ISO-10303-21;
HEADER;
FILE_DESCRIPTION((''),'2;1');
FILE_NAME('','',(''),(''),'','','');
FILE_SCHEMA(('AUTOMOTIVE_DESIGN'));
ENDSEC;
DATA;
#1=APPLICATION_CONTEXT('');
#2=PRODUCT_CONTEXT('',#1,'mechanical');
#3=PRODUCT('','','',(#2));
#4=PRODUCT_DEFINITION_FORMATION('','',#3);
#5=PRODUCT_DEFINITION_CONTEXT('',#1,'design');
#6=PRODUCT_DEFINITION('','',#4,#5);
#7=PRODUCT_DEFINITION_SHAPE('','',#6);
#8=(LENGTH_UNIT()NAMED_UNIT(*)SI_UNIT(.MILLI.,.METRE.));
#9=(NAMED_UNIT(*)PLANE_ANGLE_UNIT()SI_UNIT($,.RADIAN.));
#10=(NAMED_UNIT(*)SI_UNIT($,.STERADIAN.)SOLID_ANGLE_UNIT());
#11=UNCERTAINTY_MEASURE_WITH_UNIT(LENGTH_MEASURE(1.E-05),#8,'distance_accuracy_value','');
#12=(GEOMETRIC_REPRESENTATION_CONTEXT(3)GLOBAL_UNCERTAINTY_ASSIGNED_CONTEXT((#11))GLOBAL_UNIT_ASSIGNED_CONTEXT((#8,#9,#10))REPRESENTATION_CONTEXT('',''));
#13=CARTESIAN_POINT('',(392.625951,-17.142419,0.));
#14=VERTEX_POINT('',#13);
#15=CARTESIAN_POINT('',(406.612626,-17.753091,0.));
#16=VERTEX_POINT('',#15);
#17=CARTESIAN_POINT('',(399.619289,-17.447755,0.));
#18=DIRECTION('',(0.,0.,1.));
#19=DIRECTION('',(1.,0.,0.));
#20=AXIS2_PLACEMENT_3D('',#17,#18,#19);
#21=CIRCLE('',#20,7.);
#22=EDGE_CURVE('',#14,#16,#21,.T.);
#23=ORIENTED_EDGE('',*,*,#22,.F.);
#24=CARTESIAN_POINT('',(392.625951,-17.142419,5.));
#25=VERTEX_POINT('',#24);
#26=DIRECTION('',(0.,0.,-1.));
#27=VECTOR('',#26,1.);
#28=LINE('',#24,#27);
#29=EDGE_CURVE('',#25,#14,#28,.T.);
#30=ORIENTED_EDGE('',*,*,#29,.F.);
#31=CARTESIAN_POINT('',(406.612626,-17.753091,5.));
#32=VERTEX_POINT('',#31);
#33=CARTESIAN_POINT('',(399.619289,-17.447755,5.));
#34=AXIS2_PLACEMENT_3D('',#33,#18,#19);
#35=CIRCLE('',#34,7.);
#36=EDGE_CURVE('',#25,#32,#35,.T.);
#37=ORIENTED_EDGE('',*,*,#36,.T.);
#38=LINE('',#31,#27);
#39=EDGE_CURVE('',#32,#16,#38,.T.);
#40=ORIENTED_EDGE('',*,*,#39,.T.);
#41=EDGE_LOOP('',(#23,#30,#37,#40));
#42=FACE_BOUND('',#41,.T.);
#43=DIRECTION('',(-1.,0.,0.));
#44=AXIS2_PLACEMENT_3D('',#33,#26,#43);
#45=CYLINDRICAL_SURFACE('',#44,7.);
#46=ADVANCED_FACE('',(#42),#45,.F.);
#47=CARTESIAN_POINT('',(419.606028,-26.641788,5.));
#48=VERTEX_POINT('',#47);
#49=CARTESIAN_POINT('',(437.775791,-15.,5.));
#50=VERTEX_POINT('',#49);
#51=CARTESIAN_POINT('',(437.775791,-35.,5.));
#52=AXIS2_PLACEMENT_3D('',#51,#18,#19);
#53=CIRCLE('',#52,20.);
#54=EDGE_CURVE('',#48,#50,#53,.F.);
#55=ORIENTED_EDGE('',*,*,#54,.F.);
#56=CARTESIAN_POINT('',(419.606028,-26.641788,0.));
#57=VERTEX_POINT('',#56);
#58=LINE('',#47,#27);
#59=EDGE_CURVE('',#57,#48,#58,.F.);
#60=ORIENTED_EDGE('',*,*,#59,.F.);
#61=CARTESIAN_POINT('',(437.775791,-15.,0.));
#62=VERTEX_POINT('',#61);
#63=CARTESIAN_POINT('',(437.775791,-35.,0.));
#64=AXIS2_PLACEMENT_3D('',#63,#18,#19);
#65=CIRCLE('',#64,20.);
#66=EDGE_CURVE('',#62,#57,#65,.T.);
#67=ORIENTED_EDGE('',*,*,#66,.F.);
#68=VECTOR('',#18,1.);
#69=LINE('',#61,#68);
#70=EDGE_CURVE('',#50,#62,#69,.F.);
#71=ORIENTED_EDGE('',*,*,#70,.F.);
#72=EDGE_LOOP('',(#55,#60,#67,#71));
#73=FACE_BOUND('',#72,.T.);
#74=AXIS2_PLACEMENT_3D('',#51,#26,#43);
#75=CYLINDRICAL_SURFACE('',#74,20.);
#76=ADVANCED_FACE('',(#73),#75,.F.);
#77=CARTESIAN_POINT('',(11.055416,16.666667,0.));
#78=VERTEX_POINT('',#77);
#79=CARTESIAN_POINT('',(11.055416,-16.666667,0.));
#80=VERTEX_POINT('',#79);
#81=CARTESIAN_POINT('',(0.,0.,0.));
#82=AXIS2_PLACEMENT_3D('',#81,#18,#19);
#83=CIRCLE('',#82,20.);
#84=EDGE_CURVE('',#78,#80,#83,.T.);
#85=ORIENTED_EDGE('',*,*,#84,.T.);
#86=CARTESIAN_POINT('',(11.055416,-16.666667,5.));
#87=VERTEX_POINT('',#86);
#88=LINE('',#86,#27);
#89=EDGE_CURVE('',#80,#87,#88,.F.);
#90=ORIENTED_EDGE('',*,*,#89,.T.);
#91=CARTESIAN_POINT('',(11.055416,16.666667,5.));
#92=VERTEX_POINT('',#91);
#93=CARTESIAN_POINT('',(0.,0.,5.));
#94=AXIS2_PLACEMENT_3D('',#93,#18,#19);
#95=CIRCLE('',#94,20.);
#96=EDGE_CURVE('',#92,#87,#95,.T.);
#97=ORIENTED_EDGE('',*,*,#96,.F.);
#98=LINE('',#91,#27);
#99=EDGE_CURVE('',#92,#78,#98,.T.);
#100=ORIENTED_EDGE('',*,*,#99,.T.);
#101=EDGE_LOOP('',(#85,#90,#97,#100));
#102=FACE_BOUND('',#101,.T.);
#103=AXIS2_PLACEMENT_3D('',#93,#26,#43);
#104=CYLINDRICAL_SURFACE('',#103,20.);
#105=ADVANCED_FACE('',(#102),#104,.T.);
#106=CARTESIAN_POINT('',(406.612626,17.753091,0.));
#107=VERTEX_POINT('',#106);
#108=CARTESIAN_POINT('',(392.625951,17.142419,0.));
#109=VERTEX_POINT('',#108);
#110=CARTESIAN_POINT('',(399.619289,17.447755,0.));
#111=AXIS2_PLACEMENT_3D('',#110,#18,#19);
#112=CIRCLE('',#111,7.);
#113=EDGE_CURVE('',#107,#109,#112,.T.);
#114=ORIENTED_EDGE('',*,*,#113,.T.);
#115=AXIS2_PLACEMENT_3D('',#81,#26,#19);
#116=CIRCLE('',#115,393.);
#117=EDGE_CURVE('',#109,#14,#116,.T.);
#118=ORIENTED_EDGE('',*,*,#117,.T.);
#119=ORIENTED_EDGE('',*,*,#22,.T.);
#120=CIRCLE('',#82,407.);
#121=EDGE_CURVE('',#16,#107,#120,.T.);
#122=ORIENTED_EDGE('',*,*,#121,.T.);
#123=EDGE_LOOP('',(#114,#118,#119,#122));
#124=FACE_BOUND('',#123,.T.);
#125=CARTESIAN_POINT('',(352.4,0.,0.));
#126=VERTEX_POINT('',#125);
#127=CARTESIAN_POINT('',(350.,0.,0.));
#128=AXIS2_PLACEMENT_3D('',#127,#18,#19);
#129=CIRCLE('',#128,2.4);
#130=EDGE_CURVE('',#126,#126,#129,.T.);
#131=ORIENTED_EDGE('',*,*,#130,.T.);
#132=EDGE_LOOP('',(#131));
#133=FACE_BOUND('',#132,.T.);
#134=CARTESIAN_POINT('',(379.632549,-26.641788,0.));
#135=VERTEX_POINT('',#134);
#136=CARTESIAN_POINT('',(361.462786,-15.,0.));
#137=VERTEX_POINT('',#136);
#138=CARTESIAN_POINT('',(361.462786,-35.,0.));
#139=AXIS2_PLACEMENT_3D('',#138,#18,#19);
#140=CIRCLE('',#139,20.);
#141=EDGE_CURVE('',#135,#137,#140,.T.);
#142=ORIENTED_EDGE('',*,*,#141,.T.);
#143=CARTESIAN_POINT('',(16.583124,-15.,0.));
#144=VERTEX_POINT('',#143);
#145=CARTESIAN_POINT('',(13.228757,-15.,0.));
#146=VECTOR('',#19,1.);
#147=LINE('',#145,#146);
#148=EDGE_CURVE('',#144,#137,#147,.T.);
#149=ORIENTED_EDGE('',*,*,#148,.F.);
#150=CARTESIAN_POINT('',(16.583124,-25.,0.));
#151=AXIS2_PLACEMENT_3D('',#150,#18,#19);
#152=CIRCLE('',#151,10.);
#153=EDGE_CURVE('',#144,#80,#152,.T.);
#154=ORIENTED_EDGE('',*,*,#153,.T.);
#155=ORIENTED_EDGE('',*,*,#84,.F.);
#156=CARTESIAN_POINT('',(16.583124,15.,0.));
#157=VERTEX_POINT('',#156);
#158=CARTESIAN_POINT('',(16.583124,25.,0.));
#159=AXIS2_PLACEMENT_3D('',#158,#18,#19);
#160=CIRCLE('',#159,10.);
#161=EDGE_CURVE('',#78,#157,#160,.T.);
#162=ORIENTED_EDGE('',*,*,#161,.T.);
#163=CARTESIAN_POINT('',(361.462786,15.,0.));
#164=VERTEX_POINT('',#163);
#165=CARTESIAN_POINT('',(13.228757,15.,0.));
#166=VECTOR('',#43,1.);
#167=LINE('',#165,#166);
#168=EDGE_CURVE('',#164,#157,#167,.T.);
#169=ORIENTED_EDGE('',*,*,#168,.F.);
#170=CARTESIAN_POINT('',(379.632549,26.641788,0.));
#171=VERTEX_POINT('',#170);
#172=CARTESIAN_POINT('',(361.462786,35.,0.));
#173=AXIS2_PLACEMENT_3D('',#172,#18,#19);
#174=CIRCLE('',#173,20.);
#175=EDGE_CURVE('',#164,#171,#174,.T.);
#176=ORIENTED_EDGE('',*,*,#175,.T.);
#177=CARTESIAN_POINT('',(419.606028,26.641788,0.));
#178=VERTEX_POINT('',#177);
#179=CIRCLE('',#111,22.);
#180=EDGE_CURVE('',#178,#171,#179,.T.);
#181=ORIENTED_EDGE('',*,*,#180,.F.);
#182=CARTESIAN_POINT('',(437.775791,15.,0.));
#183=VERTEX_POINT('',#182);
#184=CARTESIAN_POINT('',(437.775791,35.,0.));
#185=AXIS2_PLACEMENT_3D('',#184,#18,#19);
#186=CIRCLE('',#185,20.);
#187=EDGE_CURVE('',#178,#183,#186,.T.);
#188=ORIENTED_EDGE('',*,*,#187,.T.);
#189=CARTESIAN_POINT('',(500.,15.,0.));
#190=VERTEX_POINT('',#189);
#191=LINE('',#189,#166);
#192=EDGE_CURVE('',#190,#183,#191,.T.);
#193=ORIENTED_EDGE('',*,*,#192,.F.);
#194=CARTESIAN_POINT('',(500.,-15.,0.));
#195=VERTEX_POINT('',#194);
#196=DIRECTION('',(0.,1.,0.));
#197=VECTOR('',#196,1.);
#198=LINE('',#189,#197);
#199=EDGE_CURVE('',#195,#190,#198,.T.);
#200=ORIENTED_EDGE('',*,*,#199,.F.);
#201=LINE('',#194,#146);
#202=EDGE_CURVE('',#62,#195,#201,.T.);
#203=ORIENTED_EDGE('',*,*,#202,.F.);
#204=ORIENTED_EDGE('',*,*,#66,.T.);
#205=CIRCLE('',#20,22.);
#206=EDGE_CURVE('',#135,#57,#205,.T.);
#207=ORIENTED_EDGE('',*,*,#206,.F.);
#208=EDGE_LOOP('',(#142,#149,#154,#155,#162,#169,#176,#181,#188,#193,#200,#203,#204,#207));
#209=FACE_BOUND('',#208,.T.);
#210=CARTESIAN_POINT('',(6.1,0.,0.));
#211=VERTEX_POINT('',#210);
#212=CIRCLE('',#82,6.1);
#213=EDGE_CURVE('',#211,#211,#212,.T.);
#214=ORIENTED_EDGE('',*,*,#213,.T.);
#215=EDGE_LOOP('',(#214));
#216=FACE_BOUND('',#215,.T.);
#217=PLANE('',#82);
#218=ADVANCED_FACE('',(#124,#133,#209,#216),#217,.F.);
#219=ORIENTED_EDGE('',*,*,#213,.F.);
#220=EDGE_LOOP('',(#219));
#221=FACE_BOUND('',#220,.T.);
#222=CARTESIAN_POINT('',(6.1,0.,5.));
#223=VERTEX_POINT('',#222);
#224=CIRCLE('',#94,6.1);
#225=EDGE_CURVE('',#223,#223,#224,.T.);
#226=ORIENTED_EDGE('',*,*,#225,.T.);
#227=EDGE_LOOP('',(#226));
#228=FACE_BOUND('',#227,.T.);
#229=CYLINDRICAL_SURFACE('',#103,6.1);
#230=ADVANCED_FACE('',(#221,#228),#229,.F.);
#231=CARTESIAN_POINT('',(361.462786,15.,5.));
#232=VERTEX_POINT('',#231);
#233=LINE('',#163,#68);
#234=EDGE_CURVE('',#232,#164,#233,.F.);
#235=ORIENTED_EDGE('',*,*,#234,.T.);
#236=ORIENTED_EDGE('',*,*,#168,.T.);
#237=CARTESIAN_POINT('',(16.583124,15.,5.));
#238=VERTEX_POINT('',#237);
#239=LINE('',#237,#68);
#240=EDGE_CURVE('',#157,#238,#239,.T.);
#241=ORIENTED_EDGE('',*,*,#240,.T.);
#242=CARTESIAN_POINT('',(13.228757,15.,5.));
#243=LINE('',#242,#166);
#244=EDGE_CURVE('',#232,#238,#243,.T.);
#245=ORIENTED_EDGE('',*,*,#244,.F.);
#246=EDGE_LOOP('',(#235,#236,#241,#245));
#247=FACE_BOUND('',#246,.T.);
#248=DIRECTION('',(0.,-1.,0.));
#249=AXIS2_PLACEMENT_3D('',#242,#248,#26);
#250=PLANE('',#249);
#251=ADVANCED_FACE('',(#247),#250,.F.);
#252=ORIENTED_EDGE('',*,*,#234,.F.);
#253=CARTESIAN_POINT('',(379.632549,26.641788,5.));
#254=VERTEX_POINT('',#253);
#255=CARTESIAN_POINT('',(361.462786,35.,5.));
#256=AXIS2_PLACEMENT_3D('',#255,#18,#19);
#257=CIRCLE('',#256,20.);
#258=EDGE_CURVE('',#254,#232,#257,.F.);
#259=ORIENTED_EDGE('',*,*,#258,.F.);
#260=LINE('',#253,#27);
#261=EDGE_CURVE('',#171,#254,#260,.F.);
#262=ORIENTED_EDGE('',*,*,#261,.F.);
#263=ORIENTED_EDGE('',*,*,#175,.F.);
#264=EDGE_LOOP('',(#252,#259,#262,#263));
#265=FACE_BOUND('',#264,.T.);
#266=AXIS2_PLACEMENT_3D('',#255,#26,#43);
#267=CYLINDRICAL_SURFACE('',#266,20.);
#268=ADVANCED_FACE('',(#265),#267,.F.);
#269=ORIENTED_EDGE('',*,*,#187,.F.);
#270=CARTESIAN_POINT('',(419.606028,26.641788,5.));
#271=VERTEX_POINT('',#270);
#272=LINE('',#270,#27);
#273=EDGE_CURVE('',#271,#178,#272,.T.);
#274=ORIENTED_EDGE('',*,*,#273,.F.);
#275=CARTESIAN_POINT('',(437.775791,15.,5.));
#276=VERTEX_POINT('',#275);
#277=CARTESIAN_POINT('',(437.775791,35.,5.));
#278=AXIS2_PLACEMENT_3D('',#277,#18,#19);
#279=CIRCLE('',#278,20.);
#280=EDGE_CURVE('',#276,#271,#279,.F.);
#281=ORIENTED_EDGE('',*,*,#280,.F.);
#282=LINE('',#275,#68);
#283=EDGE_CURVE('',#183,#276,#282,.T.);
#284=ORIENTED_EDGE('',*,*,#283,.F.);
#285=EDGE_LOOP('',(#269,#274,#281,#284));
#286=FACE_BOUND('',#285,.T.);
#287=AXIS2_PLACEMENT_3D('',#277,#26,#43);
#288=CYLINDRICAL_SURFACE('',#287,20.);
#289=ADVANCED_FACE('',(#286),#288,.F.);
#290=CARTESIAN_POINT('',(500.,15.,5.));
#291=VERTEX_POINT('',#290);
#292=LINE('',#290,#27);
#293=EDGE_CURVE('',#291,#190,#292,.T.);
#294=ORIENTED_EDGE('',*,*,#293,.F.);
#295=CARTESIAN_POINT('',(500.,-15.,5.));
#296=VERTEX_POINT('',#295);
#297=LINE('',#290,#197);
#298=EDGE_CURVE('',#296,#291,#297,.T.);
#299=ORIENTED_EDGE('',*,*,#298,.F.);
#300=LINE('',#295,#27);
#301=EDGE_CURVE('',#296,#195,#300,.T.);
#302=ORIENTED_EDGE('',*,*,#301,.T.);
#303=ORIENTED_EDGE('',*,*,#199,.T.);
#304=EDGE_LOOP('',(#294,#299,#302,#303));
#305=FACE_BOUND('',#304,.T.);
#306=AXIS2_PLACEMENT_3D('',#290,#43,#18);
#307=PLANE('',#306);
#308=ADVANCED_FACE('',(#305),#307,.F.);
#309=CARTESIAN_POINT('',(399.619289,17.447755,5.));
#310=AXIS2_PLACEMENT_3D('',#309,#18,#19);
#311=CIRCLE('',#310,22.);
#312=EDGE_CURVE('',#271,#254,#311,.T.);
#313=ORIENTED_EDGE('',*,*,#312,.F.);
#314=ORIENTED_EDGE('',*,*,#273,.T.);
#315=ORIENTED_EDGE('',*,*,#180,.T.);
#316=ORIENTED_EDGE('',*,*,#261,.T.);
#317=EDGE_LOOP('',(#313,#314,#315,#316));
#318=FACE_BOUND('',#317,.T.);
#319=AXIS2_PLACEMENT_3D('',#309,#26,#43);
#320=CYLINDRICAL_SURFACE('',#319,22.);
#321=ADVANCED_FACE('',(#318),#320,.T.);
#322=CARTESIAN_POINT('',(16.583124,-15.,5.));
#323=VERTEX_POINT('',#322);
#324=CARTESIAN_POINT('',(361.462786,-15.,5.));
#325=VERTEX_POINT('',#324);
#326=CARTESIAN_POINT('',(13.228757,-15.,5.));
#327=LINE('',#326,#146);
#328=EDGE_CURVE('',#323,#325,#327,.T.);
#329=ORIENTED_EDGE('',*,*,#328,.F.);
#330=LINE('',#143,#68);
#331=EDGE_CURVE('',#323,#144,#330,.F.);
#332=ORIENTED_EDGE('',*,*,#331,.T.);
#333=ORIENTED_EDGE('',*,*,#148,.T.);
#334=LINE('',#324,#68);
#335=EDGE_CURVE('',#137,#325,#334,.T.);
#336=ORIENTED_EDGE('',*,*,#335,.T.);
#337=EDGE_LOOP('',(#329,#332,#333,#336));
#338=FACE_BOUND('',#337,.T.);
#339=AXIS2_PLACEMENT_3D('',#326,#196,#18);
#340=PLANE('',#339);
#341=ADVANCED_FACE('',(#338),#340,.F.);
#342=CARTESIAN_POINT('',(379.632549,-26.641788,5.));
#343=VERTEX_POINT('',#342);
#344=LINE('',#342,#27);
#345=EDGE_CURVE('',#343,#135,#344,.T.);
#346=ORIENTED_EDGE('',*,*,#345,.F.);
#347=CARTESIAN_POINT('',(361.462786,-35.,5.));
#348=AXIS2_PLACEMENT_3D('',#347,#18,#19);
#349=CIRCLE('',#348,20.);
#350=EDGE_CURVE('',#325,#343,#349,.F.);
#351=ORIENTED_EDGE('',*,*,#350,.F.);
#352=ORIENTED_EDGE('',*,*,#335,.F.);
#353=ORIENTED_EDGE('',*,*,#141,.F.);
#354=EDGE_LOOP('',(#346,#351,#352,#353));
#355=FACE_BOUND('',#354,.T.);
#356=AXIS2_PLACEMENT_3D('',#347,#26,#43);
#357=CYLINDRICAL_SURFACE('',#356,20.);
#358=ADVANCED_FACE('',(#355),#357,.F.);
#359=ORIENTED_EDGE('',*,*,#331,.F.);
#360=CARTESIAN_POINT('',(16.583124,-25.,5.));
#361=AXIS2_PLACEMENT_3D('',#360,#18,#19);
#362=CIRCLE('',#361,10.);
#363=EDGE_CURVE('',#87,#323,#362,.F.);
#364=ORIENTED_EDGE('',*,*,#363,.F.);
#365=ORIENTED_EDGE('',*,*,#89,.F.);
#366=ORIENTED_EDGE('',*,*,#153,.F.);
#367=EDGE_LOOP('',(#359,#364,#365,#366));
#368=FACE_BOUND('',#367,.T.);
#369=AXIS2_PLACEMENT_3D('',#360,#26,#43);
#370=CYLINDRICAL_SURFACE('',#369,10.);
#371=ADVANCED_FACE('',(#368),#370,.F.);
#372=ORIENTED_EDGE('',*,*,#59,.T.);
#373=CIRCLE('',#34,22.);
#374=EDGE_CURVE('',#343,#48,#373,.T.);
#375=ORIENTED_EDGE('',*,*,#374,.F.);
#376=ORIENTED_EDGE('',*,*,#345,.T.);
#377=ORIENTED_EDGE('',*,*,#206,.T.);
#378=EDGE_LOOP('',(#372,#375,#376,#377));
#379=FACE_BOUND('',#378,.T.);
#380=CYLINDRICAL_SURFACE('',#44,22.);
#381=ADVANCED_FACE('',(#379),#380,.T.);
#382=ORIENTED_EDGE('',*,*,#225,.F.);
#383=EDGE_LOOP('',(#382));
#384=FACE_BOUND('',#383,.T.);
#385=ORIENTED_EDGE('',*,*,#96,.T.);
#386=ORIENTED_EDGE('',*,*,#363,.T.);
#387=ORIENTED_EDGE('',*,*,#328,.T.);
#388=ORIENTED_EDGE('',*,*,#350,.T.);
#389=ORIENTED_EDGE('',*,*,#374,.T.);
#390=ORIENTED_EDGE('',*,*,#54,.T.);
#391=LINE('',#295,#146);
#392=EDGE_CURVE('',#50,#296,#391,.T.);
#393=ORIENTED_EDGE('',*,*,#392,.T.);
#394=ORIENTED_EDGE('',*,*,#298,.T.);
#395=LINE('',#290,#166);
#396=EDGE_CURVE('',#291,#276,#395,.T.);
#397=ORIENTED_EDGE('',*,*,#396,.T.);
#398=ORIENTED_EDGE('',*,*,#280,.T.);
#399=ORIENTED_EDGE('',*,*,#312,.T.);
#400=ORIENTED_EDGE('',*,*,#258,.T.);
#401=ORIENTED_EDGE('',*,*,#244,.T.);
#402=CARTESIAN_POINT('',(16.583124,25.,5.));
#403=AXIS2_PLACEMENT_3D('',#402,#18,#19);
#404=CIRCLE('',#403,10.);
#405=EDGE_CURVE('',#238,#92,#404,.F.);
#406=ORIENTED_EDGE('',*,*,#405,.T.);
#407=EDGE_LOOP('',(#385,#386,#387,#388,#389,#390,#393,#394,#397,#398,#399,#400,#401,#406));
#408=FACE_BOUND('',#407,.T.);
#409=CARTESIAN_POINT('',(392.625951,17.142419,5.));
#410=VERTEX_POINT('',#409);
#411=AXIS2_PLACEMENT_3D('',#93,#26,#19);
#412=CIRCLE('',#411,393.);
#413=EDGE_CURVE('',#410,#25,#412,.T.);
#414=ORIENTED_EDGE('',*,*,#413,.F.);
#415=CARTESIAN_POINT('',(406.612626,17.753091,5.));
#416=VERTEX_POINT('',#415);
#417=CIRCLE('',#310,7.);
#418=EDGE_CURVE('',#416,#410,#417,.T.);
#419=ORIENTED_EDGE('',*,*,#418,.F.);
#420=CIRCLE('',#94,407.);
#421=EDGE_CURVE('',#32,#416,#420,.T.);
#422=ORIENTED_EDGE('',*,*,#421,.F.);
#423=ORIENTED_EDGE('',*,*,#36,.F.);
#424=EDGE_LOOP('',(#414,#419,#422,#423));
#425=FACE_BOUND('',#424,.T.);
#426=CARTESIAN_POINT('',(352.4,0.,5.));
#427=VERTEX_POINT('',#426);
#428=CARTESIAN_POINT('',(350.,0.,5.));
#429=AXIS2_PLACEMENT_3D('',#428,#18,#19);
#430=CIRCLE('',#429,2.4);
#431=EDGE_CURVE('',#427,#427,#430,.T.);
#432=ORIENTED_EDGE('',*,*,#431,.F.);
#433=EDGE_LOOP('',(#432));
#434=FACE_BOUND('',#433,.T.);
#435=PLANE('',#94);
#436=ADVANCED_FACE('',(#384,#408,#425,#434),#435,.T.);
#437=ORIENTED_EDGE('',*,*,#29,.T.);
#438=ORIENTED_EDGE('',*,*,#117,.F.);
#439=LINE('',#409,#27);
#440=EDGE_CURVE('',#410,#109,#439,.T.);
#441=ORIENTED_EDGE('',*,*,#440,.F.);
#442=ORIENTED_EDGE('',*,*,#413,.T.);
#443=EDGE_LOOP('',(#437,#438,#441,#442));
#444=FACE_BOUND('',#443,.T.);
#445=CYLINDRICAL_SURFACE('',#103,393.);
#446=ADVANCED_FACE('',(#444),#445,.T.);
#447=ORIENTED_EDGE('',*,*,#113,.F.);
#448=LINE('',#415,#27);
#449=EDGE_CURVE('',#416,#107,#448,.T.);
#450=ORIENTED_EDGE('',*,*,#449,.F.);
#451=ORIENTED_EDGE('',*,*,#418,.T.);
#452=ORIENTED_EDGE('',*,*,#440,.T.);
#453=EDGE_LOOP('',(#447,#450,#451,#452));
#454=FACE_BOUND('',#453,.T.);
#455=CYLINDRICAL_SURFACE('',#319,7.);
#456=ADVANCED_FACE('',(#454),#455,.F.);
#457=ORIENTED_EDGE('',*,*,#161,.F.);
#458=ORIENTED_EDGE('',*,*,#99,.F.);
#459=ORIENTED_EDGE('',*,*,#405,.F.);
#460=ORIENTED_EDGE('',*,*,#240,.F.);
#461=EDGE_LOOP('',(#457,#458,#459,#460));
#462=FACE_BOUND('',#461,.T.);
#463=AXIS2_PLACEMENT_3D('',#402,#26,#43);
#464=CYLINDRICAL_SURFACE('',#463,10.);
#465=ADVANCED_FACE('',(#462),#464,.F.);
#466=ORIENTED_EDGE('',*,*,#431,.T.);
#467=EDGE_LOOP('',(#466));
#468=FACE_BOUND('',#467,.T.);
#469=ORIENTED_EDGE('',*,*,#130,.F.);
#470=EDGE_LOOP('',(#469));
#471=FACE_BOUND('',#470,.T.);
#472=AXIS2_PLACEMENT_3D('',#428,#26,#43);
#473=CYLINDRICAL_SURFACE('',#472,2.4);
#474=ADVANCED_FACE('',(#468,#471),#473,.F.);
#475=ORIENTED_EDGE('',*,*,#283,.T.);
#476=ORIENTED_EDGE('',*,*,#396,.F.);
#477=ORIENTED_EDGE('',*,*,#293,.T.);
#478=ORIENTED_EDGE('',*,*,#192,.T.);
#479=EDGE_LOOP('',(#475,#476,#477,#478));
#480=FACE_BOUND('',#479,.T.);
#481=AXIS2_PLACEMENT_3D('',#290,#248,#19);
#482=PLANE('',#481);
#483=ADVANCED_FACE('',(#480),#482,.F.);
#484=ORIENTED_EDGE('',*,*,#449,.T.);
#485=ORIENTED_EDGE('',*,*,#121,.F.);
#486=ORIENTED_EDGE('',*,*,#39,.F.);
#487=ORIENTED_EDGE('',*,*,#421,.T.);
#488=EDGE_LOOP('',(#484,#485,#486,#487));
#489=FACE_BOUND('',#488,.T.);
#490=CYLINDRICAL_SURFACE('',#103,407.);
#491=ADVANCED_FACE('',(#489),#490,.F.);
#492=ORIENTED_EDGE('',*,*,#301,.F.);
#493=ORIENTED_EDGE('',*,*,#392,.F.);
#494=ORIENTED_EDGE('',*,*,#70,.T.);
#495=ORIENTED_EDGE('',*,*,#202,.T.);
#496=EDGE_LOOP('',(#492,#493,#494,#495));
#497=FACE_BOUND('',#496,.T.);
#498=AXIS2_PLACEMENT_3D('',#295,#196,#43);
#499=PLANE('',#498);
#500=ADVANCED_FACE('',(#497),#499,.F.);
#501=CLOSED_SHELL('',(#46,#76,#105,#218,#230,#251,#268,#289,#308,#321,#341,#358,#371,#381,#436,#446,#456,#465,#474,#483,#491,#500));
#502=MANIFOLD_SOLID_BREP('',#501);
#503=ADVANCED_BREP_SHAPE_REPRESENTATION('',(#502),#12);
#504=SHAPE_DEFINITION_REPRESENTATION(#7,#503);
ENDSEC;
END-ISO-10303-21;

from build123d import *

# Parameters (mm, degrees)
ESQUISSE1_R        = 6.1
ESQUISSE1_R_2      = 2.4
BOSS_EXTRU_1_DEPTH = 5
CONG_1_R           = 10
CONG_2_R           = 20


with BuildPart() as part:
    # Esquisse1 → Boss.-Extru.1 (new body)
    with BuildSketch(Plane.XY):
        with BuildLine():
            Line((13.228756555, 15), (377.702263695, 15))
            ThreePointArc((377.702263695, 15), (377.67197868, 15.744094767), (377.640227758, 16.488128424))
            ThreePointArc((377.640227758, 16.488128424), (398.659662111, 39.426815821), (421.598349508, 18.407381468))
            ThreePointArc((421.598349508, 18.407381468), (421.669280552, 16.703827075), (421.733328064, 15))
            Line((421.733328064, 15), (500, 15))
            Line((500, 15), (500, -15))
            Line((500, -15), (421.733328064, -15))
            ThreePointArc((421.733328064, -15), (421.669280552, -16.703827075), (421.598349508, -18.407381468))
            ThreePointArc((421.598349508, -18.407381468), (398.659662111, -39.426815821), (377.640227758, -16.488128424))
            ThreePointArc((377.640227758, -16.488128424), (377.67197868, -15.744094767), (377.702263695, -15))
            Line((377.702263695, -15), (13.228756555, -15))
            ThreePointArc((13.228756555, -15), (-20, 0), (13.228756555, 15))
        make_face()
        Circle(ESQUISSE1_R, mode=Mode.SUBTRACT)
        with Locations((350, 0)):
            Circle(ESQUISSE1_R_2, mode=Mode.SUBTRACT)
        with BuildLine():
            ThreePointArc((392.625951082, -17.142419235), (393, 0), (392.625951082, 17.142419235))
            ThreePointArc((392.625951082, 17.142419235), (399.313952921, 24.441092497), (406.612626184, 17.753090658))
            ThreePointArc((406.612626184, 17.753090658), (407, 0), (406.612626184, -17.753090658))
            ThreePointArc((406.612626184, -17.753090658), (399.313952921, -24.441092497), (392.625951082, -17.142419235))
        make_face(mode=Mode.SUBTRACT)
    extrude(amount=BOSS_EXTRU_1_DEPTH)

    # Congé1
    cong_1_edges = [part.edges().sort_by_distance(p)[0] for p in [
        (13.228756555, 15, 2.5),
        (13.228756555, -15, 2.5),
    ]]
    fillet(cong_1_edges, radius=CONG_1_R)

    # Congé2
    cong_2_edges = [part.edges().sort_by_distance(p)[0] for p in [
        (421.733328064, 15, 2.5),
        (421.733328064, -15, 2.5),
        (377.702263695, 15, 2.5),
        (377.702263695, -15, 2.5),
    ]]
    fillet(cong_2_edges, radius=CONG_2_R)


solid = part.part
